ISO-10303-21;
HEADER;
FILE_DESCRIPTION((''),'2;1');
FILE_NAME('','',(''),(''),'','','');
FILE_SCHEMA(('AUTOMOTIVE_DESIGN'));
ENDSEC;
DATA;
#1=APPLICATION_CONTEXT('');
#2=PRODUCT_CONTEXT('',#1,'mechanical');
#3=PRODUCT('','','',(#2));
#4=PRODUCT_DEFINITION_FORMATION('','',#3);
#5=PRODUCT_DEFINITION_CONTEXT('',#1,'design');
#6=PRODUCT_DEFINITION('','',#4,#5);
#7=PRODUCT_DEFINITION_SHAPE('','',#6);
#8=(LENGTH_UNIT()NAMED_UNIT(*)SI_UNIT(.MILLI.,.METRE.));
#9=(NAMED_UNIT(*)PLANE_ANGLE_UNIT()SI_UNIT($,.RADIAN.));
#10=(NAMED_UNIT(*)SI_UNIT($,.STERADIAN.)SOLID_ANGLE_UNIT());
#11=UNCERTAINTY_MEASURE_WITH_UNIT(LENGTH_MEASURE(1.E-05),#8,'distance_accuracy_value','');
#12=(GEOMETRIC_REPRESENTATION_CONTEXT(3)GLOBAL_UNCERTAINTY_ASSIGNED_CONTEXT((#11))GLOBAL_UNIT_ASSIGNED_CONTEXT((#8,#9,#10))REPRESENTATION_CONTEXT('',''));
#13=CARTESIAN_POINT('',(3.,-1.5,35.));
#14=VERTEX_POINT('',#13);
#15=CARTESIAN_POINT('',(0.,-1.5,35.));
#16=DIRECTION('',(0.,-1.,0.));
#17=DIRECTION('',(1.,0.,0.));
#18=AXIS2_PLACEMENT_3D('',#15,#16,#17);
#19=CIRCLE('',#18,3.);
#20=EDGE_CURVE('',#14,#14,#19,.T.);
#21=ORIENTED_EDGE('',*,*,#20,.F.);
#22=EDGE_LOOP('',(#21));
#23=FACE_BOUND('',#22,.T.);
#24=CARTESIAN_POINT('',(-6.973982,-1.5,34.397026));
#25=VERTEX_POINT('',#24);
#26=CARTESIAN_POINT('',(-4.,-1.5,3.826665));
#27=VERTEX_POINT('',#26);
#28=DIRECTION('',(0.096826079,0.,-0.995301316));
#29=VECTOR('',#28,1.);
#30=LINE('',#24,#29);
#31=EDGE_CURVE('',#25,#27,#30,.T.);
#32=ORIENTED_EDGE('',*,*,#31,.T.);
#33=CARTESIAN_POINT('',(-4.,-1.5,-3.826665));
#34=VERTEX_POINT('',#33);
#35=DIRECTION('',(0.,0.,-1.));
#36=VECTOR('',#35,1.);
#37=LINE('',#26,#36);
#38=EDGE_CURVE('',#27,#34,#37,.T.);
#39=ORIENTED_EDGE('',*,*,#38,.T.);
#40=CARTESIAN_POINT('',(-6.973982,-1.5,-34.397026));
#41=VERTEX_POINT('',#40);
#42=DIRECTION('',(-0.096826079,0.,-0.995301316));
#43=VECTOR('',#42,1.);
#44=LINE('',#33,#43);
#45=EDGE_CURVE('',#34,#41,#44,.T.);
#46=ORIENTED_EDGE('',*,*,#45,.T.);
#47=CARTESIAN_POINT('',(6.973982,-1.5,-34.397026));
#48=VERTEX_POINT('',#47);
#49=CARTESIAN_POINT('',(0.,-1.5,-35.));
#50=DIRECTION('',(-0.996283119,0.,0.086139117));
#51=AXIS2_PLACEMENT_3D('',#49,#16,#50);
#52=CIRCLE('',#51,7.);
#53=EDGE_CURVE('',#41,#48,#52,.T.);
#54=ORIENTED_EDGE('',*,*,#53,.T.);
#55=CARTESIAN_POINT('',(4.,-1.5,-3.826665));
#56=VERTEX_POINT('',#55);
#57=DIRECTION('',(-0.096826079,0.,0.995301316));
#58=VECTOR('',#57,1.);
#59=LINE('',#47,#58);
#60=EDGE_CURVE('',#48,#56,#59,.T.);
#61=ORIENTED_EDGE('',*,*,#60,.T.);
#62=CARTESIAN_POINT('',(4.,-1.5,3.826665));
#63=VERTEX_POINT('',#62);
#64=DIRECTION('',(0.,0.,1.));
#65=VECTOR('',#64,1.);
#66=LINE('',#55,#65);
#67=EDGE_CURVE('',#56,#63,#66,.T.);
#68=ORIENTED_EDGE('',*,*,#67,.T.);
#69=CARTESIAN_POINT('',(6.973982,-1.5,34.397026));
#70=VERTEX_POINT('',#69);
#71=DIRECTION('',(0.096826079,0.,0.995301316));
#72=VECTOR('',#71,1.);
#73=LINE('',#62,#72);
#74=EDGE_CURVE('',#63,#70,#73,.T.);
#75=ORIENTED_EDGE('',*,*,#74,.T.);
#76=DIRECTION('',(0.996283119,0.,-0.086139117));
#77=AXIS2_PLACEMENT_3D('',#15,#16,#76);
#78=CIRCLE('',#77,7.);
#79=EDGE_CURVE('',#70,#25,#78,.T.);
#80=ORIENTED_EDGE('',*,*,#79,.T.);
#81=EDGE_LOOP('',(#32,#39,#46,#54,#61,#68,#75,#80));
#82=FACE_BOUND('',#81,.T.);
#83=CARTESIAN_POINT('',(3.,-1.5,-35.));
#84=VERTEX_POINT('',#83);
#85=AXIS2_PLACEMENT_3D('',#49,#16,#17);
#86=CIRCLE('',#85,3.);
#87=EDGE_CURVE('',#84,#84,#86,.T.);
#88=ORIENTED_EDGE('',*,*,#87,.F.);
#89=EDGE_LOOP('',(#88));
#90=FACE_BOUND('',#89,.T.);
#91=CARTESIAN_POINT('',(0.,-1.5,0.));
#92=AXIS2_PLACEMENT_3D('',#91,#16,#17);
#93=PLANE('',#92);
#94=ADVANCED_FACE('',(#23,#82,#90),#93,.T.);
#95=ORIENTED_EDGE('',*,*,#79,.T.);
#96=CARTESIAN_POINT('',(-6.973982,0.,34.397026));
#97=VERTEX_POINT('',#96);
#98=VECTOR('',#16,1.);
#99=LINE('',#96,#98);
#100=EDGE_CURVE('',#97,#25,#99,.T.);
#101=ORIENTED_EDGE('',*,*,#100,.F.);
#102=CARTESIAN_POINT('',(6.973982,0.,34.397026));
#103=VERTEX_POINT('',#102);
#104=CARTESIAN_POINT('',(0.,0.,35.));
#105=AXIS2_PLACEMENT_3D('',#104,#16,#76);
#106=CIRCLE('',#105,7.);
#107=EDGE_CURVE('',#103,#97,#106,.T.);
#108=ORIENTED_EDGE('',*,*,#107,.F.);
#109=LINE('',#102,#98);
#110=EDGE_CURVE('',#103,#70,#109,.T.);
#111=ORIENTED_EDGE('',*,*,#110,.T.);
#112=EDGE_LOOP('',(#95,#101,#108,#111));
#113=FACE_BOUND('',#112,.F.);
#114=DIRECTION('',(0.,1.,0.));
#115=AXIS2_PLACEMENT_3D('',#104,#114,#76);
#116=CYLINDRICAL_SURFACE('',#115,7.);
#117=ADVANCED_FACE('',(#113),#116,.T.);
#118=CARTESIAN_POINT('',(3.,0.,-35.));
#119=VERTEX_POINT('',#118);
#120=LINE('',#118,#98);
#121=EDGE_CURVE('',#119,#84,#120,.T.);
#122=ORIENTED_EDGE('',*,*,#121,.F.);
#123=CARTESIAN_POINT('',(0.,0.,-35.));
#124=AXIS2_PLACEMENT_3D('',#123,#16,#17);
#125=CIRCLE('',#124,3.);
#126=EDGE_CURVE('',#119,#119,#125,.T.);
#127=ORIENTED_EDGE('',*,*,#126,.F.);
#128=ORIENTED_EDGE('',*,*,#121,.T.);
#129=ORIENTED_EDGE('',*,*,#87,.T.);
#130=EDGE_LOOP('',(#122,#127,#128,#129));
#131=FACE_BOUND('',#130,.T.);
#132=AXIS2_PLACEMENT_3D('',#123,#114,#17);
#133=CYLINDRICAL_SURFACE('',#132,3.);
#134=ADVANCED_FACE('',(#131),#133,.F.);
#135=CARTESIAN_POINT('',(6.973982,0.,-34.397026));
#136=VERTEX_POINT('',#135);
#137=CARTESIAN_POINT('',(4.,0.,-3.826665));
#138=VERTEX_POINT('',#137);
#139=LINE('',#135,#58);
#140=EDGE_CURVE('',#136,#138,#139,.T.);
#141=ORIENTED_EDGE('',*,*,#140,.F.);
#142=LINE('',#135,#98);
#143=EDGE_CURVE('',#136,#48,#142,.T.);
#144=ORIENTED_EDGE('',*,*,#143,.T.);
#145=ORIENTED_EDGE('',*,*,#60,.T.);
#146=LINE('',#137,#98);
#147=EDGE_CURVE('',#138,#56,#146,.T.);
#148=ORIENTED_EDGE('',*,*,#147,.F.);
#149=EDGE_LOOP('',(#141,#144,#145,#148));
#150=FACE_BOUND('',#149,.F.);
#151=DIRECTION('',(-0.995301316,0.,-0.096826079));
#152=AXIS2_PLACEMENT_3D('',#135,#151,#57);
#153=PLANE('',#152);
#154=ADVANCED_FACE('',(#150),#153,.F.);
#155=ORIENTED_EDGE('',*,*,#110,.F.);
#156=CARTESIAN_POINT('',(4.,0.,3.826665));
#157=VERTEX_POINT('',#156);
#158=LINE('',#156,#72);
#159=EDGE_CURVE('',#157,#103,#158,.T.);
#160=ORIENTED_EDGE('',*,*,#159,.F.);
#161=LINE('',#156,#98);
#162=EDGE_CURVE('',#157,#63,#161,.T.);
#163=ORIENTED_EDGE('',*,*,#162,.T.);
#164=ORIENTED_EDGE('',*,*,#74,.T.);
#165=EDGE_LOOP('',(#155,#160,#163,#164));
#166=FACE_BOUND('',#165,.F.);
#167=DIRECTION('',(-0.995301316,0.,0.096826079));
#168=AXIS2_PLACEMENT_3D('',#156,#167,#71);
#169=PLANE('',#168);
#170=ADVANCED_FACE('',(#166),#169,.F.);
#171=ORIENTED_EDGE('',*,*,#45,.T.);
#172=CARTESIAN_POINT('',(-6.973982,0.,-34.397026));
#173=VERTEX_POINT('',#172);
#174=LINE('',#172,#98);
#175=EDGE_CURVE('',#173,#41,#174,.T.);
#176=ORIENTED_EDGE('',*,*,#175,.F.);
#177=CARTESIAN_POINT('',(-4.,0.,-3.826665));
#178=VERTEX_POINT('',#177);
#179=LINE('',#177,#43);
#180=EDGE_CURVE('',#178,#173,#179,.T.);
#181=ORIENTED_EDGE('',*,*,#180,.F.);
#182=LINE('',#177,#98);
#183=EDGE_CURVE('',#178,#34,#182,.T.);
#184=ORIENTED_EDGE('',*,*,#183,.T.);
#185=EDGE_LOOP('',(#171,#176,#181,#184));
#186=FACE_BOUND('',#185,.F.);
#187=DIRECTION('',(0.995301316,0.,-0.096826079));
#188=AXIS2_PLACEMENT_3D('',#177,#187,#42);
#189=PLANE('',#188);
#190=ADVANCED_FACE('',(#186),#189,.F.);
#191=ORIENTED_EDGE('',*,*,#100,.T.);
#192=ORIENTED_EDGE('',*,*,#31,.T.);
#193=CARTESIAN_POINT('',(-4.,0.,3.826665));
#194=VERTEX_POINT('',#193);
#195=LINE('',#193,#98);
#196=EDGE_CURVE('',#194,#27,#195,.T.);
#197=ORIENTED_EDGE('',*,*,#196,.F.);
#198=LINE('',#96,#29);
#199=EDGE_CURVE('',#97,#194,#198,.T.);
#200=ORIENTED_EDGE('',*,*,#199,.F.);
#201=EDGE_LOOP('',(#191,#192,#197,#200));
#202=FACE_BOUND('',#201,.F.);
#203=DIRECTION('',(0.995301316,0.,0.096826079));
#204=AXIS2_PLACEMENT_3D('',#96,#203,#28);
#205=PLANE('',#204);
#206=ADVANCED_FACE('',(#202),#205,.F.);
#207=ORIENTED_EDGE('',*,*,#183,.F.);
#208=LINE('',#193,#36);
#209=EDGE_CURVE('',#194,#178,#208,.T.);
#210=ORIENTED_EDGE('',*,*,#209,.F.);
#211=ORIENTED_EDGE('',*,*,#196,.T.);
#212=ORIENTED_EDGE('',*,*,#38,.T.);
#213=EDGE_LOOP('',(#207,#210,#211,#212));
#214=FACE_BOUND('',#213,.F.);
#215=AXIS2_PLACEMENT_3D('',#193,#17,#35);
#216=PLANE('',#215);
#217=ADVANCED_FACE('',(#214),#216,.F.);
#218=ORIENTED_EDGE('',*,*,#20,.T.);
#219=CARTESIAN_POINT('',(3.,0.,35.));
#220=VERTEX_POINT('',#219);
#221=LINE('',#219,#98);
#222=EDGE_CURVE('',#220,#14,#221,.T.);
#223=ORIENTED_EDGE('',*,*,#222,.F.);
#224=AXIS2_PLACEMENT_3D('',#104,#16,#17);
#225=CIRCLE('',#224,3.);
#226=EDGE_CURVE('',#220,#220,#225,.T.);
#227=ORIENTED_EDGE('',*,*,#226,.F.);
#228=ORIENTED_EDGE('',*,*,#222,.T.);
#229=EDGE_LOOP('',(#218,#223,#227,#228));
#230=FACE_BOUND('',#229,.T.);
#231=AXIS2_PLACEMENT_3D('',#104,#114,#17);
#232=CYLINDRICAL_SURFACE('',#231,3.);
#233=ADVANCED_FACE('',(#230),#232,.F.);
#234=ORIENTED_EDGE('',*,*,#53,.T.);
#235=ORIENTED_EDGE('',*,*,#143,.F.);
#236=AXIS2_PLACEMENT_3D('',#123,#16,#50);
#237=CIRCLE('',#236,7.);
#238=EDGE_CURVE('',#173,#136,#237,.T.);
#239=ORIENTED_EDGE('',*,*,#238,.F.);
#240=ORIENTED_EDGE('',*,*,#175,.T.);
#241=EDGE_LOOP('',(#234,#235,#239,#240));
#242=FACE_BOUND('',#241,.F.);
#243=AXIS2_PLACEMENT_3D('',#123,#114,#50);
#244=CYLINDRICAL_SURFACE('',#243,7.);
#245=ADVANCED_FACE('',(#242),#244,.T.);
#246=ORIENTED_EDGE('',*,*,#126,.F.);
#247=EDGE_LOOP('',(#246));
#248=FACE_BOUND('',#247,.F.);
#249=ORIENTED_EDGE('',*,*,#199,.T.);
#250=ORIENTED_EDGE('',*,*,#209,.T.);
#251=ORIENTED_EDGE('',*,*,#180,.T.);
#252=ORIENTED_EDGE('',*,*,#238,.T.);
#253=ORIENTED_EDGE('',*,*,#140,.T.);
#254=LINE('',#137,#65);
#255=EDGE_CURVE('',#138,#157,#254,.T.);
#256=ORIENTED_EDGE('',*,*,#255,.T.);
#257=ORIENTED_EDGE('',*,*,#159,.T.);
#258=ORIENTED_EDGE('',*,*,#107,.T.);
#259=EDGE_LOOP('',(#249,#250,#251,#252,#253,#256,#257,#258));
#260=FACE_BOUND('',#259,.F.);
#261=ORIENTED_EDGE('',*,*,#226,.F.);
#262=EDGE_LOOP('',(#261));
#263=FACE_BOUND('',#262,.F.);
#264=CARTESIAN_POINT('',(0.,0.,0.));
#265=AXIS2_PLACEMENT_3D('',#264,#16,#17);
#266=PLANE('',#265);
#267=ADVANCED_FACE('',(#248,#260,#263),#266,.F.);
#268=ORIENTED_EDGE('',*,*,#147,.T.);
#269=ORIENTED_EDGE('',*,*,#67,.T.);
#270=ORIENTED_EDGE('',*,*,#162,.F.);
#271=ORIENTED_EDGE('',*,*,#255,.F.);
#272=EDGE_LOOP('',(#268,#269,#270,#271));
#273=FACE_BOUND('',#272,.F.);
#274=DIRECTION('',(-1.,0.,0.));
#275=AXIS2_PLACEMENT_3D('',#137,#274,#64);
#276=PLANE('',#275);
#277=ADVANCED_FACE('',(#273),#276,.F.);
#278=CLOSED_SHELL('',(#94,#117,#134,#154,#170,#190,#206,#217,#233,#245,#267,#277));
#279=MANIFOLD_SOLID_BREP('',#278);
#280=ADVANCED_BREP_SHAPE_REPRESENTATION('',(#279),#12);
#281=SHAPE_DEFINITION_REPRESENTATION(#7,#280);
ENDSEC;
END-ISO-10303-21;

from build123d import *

# Parameters (mm, degrees)
F0_R     = 3
F1_DEPTH = 1.5


with BuildPart() as f1:
    # F0 (on Front) → F1 (new body)
    with BuildSketch(Plane.XZ):
        with BuildLine():
            Line((4, 3.826665), (6.973982, 34.397026))
            ThreePointArc((6.973982, 34.397026), (0, 42), (-6.973982, 34.397026))
            Line((-6.973982, 34.397026), (-4, 3.826665))
            Line((-4, 3.826665), (-4, 0))
            Line((-4, 0), (-4, -3.826665))
            Line((-4, -3.826665), (-6.973982, -34.397026))
            ThreePointArc((-6.973982, -34.397026), (0, -42), (6.973982, -34.397026))
            Line((6.973982, -34.397026), (4, -3.826665))
            Line((4, -3.826665), (4, 0))
            Line((4, 0), (4, 3.826665))
        make_face()
        with Locations((0, -35)):
            Circle(F0_R, mode=Mode.SUBTRACT)
        with Locations((0, 35)):
            Circle(F0_R, mode=Mode.SUBTRACT)
    extrude(amount=F1_DEPTH)


solid = f1.part
